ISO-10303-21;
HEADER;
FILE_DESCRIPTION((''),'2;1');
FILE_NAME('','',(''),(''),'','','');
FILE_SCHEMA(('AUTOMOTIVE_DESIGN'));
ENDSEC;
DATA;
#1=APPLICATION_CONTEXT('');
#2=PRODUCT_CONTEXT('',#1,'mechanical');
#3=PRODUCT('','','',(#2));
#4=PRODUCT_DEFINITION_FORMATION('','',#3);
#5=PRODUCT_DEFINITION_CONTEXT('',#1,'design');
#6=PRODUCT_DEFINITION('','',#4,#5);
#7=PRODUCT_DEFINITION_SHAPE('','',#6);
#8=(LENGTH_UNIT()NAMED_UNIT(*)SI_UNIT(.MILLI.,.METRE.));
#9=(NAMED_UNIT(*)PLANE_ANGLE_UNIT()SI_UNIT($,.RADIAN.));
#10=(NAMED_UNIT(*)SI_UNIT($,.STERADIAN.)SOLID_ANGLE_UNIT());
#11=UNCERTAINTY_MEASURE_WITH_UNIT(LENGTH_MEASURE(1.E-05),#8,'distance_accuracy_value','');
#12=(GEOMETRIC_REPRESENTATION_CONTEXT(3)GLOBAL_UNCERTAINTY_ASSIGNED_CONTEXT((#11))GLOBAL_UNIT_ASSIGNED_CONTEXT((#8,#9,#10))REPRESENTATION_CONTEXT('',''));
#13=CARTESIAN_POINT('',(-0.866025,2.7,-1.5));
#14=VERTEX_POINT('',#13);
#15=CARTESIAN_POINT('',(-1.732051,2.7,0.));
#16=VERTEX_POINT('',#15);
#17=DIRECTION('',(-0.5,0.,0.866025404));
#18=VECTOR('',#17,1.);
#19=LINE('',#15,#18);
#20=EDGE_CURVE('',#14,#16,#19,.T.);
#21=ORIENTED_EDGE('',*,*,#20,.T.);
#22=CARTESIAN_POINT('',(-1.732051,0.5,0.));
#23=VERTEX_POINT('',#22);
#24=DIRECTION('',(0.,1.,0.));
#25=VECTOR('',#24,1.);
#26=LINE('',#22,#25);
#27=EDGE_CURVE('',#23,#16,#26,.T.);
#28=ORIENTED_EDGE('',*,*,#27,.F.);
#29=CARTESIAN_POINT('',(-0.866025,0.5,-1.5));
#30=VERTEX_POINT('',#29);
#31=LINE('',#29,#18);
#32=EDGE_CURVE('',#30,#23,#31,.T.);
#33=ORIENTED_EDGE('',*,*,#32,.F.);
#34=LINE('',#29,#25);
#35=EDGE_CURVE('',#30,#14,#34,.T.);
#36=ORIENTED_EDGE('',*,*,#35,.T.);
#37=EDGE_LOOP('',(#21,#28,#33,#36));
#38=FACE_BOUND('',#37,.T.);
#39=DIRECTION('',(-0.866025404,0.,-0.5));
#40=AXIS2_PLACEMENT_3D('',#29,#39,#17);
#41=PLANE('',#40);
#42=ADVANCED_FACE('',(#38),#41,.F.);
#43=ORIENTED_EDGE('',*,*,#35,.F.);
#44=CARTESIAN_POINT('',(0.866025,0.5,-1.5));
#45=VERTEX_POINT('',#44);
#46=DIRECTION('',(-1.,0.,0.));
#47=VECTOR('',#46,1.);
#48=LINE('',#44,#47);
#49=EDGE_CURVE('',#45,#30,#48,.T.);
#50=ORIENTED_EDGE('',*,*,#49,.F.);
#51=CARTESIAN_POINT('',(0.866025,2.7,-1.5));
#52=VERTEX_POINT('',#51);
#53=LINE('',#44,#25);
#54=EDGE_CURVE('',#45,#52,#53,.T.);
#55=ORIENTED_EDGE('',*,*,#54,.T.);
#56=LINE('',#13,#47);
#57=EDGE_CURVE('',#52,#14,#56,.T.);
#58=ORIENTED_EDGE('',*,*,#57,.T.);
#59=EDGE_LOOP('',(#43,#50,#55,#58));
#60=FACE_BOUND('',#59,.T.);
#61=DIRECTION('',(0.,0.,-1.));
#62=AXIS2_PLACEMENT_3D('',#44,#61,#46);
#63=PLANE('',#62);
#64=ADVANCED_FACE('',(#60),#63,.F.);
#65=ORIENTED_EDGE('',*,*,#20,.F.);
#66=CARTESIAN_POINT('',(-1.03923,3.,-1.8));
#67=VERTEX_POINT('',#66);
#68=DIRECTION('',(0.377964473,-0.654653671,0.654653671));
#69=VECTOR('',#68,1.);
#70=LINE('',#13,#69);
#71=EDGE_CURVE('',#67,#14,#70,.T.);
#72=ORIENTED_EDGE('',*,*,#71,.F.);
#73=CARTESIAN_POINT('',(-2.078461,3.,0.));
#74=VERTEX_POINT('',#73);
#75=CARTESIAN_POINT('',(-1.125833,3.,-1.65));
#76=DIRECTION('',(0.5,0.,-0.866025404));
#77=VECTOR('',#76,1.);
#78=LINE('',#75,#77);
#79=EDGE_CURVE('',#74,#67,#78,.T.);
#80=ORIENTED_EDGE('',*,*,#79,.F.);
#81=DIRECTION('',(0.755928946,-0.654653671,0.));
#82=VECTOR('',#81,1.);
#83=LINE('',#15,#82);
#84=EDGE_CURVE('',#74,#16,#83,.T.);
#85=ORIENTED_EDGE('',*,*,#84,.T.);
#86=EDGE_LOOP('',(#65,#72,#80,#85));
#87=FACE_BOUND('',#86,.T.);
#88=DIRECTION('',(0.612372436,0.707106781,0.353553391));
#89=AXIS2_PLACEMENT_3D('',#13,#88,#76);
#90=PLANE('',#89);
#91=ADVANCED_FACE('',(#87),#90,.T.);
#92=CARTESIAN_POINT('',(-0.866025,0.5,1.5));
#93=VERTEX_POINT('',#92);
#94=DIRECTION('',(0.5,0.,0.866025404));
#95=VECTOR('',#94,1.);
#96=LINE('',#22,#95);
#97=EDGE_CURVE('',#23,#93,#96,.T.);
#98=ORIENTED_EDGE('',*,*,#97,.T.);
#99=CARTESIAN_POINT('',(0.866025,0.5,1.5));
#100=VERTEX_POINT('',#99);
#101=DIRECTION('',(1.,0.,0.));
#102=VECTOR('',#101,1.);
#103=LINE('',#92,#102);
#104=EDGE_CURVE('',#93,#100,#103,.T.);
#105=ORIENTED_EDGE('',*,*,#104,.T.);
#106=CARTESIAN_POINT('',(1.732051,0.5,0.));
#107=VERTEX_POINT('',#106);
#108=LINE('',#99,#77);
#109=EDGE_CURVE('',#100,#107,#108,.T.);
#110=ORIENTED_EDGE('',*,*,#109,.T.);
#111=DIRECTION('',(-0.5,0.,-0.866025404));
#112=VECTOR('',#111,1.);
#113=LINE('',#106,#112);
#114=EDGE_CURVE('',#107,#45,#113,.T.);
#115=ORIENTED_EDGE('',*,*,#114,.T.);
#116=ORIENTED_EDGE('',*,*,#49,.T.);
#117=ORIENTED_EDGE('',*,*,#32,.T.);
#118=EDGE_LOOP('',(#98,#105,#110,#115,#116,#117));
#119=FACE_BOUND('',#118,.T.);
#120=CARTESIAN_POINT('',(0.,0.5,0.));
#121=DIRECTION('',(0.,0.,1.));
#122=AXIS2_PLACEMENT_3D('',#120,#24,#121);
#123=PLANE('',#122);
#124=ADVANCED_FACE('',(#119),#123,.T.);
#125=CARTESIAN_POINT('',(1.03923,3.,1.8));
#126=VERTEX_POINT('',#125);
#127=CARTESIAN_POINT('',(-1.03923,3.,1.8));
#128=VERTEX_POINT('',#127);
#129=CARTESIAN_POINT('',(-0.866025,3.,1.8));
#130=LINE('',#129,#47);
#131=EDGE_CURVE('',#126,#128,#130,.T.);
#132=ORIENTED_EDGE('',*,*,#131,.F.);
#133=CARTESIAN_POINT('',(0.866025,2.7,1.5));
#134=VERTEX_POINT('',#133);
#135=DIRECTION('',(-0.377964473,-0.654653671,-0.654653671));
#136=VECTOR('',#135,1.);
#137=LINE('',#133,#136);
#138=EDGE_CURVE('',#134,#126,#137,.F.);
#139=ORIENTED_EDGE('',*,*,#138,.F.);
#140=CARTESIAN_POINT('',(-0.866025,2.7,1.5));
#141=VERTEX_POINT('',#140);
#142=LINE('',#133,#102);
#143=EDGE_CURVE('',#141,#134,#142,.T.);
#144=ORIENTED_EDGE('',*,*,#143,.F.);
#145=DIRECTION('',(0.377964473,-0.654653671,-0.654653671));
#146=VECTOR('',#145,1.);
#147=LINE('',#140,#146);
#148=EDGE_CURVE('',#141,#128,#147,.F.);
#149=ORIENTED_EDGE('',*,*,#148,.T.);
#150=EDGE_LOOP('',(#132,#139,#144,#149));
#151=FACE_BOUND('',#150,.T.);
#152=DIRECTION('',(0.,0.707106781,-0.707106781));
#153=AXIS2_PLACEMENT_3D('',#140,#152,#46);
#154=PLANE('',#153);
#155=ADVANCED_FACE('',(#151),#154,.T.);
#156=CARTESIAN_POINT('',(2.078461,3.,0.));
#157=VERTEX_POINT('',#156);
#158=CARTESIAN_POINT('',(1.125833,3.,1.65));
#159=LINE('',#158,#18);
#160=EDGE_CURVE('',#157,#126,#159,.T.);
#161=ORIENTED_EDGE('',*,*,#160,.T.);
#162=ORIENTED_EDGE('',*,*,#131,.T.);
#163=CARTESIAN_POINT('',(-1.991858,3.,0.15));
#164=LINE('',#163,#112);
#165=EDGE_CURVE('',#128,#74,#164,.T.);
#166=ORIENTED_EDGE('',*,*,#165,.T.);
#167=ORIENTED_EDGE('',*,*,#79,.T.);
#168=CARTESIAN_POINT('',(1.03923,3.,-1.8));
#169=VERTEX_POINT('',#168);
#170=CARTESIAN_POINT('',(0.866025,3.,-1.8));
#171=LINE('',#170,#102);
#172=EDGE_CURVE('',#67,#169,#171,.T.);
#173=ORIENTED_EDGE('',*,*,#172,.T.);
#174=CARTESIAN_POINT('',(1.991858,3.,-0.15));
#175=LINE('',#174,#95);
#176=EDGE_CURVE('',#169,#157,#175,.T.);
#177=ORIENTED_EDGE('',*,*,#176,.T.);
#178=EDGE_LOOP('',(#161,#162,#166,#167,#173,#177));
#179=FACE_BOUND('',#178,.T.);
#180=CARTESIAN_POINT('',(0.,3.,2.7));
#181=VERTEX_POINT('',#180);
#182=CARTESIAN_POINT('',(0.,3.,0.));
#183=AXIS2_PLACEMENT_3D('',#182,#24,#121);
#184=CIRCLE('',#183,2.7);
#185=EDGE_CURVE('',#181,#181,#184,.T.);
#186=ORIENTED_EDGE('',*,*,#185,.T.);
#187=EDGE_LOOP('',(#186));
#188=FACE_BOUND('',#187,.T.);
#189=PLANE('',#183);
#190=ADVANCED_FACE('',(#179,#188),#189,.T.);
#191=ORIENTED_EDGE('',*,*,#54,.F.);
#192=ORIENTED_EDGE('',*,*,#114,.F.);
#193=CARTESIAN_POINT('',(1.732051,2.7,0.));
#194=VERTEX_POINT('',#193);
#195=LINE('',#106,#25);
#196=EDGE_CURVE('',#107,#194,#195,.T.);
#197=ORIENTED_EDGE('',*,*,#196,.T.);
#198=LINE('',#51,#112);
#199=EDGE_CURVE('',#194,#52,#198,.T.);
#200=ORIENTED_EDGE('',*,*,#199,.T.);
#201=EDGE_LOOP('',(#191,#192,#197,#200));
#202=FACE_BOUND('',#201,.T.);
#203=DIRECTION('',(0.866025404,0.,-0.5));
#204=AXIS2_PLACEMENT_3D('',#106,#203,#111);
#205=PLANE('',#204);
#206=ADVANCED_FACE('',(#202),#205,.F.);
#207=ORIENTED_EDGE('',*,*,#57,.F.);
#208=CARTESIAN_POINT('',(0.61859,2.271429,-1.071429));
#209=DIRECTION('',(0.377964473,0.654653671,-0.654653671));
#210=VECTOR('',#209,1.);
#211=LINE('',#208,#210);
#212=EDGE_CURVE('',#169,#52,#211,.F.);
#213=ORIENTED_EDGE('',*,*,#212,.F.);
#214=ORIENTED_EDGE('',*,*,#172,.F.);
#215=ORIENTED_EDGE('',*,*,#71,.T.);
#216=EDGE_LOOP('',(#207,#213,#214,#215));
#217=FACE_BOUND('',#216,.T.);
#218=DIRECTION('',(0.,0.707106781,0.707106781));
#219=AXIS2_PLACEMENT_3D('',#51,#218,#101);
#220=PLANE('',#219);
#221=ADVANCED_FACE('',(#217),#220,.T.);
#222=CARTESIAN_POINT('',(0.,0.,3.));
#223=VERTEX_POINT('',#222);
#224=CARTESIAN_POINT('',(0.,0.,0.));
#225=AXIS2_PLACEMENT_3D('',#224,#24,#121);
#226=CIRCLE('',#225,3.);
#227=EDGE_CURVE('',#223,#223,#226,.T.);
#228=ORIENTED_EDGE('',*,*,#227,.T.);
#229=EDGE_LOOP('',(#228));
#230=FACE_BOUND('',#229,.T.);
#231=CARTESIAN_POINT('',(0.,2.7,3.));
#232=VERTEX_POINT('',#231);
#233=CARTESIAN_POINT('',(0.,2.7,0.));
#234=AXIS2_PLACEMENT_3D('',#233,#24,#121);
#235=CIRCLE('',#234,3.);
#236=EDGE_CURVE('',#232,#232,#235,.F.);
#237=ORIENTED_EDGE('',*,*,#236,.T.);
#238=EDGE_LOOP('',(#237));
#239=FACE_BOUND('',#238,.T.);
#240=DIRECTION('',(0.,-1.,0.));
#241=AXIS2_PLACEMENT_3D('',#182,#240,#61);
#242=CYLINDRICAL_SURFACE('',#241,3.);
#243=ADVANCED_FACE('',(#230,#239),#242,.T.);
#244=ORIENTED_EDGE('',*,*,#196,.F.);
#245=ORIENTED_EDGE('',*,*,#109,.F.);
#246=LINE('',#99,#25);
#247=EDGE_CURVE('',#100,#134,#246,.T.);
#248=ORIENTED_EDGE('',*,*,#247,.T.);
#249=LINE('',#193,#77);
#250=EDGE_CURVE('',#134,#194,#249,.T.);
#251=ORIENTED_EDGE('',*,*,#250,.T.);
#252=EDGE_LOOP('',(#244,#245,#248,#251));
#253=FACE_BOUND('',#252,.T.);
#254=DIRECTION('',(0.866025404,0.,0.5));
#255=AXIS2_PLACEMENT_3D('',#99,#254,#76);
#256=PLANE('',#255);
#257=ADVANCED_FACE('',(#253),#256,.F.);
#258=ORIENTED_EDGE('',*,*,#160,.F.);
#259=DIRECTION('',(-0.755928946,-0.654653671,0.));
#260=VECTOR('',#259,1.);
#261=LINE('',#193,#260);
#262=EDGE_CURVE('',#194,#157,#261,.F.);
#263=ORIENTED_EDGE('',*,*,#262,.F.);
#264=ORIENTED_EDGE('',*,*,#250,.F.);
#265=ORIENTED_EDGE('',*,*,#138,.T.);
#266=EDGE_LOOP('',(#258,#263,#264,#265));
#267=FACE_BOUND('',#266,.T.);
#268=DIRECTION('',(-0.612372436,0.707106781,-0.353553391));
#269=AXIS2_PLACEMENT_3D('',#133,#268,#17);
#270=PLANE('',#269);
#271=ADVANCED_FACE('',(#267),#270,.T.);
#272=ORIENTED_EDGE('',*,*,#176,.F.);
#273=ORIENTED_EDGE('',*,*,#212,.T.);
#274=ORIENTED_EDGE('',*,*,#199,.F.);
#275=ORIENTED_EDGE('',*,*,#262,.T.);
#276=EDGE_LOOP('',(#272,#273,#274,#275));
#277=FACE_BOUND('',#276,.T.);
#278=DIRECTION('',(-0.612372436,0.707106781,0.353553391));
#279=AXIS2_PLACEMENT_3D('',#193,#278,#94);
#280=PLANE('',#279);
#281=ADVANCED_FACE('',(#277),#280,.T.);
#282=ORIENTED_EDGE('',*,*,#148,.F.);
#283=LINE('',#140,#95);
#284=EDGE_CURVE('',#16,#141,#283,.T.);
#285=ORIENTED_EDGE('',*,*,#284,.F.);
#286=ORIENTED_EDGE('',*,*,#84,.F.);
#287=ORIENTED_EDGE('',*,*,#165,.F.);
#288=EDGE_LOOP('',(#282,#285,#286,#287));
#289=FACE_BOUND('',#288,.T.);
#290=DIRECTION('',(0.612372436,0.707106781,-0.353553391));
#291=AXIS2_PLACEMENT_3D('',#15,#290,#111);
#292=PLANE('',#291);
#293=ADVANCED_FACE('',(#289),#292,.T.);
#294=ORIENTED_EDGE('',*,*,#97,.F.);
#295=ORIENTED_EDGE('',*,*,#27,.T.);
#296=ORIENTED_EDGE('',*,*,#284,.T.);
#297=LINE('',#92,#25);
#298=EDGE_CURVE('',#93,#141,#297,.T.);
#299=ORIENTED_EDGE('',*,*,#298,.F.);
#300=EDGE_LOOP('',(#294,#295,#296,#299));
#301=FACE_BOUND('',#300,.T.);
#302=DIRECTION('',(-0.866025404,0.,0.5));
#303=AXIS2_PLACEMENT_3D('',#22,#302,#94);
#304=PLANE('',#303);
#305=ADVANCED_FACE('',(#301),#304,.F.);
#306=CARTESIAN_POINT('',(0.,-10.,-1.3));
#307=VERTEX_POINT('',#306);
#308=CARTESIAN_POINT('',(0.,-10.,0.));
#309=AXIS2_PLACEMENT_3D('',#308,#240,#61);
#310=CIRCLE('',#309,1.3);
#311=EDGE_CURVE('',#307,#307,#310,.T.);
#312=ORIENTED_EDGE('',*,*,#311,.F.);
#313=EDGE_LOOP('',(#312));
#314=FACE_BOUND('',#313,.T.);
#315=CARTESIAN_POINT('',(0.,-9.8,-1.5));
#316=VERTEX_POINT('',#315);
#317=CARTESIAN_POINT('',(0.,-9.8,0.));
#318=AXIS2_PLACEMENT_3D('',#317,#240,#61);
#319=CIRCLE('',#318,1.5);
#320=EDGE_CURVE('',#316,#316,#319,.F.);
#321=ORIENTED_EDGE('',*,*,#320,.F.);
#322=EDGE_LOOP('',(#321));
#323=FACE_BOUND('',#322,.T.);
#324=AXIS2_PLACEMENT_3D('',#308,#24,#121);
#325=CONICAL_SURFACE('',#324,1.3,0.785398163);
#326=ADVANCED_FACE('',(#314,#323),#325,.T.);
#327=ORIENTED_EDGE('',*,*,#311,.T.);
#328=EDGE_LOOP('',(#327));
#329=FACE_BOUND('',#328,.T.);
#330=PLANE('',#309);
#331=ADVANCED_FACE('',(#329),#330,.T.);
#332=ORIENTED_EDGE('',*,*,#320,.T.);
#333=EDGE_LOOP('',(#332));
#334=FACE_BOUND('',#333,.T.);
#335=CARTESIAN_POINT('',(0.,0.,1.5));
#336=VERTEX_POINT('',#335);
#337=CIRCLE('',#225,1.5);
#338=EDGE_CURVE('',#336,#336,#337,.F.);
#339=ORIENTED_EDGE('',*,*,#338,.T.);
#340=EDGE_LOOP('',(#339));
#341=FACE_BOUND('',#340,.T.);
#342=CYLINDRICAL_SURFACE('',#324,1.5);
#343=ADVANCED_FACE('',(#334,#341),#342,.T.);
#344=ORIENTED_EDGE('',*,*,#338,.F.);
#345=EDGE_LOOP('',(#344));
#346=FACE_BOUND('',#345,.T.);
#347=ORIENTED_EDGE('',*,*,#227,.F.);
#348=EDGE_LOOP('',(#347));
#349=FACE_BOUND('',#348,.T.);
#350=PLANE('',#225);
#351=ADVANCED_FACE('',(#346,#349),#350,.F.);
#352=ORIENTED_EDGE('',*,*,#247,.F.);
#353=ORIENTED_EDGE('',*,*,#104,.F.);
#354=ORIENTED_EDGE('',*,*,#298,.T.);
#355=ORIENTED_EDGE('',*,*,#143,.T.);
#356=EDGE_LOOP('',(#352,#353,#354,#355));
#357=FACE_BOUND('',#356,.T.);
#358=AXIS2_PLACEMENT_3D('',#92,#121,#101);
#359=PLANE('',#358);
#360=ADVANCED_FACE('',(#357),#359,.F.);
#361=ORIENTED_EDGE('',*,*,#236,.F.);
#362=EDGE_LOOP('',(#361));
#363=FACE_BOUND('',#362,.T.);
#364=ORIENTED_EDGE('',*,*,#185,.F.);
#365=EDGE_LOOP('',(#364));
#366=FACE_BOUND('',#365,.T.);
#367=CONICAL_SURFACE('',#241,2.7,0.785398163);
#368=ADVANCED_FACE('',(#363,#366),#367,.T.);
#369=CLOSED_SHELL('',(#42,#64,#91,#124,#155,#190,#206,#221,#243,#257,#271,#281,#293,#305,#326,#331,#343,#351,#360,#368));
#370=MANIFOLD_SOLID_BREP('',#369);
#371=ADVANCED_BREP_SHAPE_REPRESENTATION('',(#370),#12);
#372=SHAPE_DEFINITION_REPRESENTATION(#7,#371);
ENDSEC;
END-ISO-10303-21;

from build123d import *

# Parameters (mm, degrees)
SKETCH1_R           = 3
BOSS_EXTRUDE1_DEPTH = 3
CHAMFER1_SIZE       = 0.3
CUT_EXTRUDE1_DEPTH  = 2.5
CHAMFER2_SIZE       = 0.3
SKETCH3_R           = 1.5
BOSS_EXTRUDE2_DEPTH = 10
CHAMFER3_SIZE       = 0.2


with BuildPart() as part:
    # Sketch1 → Boss-Extrude1 (new body)
    with BuildSketch(Plane(origin=(0, 0, 0), x_dir=(1, 0, 0), z_dir=(0, 1, 0))):
        with Locations(Location((0, 0, 0), (0, 0, 270))):  # turned: the seam where the file's is
            Circle(SKETCH1_R)
    extrude(amount=BOSS_EXTRUDE1_DEPTH)

    # Chamfer1
    chamfer1_edges = [part.edges().sort_by_distance(p)[0] for p in [
        (0, 3, -3),
    ]]
    chamfer(chamfer1_edges, length=CHAMFER1_SIZE)

    # Sketch2 → Cut-Extrude1 (cut)
    with BuildSketch(Plane(origin=(0, 3, 0), x_dir=(1, 0, 0), z_dir=(0, 1, 0))):
        Polygon((1.732050808, 0), (0.866025404, 1.5), (-0.866025404, 1.5), (-1.732050808, 0), (-0.866025404, -1.5), (0.866025404, -1.5), align=None)
    extrude(amount=-CUT_EXTRUDE1_DEPTH, mode=Mode.SUBTRACT)

    # Chamfer2
    chamfer2_edges = [part.edges().sort_by_distance(p)[0] for p in [
        (1.299038106, 3, 0.75),
        (1.299038106, 3, -0.75),
        (0, 3, -1.5),
        (-1.299038106, 3, -0.75),
        (-1.299038106, 3, 0.75),
        (0, 3, 1.5),
    ]]
    chamfer(chamfer2_edges, length=CHAMFER2_SIZE)

    # Sketch3 → Boss-Extrude2 (add)
    with BuildSketch(Plane.XZ):
        with Locations(Location((0, 0, 0), (0, 0, 90))):  # turned: the seam where the file's is
            Circle(SKETCH3_R)
    extrude(amount=BOSS_EXTRUDE2_DEPTH)

    # Chamfer3
    chamfer3_edges = [part.edges().sort_by_distance(p)[0] for p in [
        (0, -10, -1.5),
    ]]
    chamfer(chamfer3_edges, length=CHAMFER3_SIZE)


solid = part.part
